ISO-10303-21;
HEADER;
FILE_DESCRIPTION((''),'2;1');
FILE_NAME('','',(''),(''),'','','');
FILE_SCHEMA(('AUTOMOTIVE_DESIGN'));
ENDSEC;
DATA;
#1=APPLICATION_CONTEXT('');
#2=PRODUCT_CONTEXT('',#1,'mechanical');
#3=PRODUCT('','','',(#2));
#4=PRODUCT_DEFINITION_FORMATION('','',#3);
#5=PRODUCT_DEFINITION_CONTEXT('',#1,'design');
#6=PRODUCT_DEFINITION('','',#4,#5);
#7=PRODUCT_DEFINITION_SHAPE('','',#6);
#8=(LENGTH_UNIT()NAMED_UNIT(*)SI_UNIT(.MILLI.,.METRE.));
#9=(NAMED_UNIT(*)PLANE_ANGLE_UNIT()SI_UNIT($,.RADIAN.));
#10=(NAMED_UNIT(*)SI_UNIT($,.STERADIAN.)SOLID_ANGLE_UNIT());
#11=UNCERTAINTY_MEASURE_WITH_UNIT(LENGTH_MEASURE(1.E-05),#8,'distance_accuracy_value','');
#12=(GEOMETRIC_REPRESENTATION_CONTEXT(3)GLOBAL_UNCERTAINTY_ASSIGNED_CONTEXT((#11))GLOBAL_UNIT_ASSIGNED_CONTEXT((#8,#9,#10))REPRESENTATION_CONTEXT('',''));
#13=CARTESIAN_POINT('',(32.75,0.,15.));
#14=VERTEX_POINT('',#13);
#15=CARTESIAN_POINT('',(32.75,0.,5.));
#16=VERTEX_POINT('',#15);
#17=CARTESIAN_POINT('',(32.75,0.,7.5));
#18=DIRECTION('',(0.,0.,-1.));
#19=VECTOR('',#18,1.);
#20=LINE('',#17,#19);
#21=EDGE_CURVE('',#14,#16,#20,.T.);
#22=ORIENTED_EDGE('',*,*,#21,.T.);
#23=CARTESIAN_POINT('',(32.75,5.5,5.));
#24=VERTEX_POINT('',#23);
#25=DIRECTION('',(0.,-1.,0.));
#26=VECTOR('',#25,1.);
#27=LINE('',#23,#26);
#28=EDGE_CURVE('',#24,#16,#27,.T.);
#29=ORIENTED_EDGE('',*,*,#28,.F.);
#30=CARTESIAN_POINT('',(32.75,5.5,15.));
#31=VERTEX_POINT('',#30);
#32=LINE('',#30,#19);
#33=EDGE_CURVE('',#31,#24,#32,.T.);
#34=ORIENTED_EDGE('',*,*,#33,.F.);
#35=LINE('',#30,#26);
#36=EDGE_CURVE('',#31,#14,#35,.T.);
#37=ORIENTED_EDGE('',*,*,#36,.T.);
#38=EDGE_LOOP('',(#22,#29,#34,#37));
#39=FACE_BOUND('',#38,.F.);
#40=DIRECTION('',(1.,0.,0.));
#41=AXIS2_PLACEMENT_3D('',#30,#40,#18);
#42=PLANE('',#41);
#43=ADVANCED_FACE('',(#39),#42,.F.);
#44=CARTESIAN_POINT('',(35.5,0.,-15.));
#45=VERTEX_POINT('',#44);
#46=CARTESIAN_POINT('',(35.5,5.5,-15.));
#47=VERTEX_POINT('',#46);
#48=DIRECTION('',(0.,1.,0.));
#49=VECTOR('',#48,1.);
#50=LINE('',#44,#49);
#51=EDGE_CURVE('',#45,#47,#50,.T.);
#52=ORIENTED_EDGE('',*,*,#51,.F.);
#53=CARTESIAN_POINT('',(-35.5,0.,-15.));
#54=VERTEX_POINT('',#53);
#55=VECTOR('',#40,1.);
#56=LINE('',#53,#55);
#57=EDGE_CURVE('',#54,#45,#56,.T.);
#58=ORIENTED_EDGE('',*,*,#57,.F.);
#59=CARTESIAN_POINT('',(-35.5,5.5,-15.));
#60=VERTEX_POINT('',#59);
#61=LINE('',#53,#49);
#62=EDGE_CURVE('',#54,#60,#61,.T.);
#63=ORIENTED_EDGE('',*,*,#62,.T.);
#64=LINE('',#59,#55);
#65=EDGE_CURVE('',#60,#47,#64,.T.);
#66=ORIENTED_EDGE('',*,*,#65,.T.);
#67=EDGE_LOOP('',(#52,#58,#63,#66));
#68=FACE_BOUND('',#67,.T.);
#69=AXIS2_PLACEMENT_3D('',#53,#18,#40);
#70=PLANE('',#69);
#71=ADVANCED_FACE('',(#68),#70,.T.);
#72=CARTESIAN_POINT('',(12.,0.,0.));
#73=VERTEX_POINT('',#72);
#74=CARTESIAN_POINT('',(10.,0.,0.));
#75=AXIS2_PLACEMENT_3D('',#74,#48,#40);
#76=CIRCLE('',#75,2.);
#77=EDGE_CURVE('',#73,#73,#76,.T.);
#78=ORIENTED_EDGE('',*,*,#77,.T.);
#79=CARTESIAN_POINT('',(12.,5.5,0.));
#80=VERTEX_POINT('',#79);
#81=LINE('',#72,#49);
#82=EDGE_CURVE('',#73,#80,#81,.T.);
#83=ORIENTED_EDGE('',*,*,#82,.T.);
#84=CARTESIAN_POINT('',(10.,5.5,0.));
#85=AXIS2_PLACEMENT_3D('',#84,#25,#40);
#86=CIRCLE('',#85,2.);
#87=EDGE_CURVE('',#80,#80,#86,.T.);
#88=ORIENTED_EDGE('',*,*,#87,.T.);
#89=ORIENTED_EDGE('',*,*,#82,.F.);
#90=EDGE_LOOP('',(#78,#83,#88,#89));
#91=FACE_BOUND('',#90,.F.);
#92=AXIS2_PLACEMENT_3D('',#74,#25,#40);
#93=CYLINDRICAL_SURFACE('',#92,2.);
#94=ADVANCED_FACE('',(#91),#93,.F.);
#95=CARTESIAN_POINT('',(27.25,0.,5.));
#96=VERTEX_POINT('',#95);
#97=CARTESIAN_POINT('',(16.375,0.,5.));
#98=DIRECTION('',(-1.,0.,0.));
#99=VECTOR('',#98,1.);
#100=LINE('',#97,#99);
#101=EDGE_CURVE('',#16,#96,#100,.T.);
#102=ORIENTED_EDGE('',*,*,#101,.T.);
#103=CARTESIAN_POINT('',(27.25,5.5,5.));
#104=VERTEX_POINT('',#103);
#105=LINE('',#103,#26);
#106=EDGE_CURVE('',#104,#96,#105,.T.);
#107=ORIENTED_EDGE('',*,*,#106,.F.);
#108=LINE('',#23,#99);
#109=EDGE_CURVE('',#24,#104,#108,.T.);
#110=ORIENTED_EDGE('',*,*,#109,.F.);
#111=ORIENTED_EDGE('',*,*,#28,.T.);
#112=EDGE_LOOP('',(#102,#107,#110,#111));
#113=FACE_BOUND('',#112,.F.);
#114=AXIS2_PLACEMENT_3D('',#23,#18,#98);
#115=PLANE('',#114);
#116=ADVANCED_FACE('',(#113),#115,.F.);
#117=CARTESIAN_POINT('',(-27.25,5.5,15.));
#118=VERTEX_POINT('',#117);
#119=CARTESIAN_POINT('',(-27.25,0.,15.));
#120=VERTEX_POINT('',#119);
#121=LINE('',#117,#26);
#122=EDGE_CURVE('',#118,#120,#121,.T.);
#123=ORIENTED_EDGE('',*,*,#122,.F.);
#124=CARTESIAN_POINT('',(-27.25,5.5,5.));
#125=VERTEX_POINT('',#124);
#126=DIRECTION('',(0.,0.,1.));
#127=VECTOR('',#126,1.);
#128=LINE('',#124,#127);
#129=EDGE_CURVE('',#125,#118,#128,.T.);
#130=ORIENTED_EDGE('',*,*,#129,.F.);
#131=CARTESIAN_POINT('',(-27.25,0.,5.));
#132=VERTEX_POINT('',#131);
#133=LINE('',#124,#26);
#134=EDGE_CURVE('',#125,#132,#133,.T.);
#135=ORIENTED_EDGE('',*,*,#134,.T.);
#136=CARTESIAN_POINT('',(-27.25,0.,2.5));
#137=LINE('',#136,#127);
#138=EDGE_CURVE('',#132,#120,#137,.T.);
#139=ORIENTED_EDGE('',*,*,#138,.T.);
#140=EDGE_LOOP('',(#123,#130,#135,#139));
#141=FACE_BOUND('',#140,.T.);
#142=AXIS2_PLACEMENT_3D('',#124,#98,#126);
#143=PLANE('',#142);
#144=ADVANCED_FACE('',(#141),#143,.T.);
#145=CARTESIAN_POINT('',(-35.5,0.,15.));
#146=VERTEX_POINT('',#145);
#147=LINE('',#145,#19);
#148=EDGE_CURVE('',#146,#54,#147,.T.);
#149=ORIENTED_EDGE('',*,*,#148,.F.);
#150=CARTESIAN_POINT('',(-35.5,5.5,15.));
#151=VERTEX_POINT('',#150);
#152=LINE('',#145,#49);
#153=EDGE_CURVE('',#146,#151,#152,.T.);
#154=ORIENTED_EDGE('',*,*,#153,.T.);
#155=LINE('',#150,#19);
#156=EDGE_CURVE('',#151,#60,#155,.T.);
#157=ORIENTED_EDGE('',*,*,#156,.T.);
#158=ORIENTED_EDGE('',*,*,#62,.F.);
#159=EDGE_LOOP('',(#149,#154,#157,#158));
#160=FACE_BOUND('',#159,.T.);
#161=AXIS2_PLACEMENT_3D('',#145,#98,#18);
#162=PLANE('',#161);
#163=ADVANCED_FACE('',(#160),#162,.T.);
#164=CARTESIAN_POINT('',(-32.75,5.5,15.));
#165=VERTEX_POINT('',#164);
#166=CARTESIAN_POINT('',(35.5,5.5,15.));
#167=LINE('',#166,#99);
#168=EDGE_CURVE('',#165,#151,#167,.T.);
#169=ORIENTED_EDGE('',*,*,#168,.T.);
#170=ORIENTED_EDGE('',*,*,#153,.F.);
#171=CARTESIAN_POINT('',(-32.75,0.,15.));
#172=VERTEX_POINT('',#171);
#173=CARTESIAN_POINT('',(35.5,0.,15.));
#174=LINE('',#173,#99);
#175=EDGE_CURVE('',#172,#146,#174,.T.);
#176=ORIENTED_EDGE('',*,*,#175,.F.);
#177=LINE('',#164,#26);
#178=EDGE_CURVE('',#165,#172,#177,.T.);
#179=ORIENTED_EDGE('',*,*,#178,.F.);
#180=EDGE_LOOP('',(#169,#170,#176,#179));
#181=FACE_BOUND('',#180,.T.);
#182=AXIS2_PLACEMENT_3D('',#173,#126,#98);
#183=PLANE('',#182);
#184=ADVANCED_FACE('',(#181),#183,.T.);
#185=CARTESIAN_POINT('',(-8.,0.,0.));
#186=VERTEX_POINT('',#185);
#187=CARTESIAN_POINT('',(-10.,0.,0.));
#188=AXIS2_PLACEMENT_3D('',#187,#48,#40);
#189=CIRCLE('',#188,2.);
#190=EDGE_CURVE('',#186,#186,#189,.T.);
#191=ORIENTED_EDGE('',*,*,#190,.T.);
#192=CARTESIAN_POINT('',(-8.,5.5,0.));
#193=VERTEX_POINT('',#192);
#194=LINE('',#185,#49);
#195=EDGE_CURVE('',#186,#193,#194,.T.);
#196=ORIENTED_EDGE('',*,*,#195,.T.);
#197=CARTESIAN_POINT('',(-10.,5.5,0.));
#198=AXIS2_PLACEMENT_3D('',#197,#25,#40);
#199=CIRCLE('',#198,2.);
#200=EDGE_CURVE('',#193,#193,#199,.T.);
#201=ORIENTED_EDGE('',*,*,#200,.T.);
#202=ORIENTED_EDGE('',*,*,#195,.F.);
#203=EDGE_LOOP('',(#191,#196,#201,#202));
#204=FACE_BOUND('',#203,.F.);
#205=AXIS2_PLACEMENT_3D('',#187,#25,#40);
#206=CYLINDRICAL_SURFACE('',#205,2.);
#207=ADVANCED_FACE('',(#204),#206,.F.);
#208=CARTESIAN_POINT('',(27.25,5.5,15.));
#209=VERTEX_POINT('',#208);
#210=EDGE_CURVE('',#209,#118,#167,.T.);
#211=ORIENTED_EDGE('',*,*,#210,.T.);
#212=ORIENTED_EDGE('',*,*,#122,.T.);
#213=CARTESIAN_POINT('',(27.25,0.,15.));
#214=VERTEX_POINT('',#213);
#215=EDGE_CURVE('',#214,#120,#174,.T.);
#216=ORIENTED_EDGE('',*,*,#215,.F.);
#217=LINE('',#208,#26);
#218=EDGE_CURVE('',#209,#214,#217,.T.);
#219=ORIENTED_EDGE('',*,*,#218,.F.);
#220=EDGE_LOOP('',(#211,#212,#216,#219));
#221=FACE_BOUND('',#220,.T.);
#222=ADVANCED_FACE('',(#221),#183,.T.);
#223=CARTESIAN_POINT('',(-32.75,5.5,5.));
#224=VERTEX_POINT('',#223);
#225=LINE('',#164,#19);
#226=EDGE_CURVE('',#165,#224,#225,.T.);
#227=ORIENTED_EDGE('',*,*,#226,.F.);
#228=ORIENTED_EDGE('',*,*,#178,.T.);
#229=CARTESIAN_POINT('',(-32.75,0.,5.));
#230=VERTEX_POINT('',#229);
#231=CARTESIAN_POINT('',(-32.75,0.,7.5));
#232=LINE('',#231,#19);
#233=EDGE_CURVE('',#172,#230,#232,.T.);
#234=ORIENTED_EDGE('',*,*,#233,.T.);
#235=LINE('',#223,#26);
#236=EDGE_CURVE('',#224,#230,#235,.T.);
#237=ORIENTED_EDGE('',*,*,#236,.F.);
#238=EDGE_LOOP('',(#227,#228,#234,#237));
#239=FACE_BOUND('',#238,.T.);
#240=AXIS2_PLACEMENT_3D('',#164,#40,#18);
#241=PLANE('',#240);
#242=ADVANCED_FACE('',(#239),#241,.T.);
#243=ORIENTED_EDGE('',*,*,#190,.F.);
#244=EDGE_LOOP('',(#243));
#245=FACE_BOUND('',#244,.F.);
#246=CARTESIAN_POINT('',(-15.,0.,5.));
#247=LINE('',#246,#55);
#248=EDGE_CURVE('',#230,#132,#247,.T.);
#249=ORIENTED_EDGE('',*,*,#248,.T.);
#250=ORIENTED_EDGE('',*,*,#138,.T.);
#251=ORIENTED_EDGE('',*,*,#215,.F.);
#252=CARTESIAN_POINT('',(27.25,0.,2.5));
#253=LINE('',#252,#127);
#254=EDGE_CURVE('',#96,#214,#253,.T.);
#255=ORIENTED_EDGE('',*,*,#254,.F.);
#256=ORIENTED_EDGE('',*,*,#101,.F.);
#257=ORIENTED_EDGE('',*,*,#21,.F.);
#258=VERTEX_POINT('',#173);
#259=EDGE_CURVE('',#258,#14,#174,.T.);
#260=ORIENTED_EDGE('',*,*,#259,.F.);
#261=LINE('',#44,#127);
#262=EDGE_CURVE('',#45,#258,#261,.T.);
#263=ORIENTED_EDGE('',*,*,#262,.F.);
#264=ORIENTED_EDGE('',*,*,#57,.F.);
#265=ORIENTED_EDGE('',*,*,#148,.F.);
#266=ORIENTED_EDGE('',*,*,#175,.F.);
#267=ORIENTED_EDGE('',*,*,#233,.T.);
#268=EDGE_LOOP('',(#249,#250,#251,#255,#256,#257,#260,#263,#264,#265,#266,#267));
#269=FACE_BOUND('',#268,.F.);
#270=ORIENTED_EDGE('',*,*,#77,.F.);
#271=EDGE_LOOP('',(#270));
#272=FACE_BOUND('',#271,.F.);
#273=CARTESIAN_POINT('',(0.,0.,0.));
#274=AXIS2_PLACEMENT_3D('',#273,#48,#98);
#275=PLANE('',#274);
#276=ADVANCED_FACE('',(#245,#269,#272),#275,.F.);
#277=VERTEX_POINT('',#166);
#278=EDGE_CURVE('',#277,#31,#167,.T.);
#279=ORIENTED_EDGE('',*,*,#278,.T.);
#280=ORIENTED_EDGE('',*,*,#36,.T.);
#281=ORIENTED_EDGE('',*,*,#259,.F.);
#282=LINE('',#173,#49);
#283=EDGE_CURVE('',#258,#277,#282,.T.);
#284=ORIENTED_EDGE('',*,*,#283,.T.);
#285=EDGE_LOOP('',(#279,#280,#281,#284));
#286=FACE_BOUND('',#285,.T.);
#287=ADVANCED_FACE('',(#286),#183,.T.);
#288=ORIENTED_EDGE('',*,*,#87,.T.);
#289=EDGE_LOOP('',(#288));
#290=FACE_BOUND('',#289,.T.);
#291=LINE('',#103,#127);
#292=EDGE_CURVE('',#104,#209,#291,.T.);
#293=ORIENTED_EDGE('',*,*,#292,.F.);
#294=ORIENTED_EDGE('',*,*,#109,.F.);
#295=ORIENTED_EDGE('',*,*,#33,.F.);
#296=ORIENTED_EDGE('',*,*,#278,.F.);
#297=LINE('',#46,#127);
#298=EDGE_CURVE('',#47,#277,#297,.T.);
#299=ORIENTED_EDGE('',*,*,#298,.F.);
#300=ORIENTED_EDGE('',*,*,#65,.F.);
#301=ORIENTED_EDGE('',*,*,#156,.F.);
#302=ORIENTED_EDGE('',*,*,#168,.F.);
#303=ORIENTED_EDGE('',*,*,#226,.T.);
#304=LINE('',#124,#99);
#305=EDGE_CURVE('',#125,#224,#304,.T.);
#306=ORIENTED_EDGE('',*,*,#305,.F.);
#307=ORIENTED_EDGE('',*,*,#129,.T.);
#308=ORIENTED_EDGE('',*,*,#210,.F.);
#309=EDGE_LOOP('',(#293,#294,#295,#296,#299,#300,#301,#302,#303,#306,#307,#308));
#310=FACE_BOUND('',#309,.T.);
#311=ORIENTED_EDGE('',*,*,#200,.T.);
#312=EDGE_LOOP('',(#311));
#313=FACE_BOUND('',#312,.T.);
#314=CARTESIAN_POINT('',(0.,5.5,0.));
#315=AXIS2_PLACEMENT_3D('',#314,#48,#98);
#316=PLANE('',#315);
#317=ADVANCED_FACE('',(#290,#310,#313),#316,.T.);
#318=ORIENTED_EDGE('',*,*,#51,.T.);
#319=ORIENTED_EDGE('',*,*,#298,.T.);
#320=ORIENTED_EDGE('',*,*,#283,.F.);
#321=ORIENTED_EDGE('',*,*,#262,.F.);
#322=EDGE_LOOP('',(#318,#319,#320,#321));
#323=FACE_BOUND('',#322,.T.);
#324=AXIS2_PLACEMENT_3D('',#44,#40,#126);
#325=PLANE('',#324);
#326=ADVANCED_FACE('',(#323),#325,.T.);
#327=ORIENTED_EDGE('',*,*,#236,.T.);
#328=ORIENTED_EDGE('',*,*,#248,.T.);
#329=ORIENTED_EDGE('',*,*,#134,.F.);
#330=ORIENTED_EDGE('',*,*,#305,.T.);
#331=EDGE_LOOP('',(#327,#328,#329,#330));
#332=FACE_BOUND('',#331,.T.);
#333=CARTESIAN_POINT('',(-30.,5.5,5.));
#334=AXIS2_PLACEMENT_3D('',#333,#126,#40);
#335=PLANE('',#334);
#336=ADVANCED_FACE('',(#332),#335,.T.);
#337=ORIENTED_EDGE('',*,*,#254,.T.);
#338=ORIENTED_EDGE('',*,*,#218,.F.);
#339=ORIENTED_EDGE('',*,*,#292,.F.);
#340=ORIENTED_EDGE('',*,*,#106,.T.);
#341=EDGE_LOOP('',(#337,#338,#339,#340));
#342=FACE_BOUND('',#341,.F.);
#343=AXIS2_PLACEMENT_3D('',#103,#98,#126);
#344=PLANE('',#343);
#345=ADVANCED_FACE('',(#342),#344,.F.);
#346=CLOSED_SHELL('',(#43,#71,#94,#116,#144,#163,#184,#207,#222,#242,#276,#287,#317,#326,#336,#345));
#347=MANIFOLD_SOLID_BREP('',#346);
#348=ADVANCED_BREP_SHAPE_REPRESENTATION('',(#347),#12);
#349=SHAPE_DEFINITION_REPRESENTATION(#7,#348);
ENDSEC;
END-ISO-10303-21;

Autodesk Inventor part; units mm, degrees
ref_plane "YZ Plane" through (0, 0, 0) normal (1, 0, 0) x (0, 1, 0)
ref_plane "XZ Plane" through (0, 0, 0) normal (0, 1, 0) x (-1, 0, 0)
ref_plane "XY Plane" through (0, 0, 0) normal (0, 0, 1) x (1, 0, 0)
sketch "Sketch1" plane through (0, 0, 0) normal (0, 1, 0) x (-1, 0, 0)
  line L0 (35.5, -15) -> (-35.5, -15)
  line L1 (-35.5, -15) -> (-35.5, 15)
  line L2 (-35.5, 15) -> (35.5, 15)
  line L3 (35.5, 15) -> (35.5, -15)
  line L4 (35.5, -15) -> (-35.5, 15) construction
  line L5 (-35.5, -15) -> (35.5, 15) construction
  point P0 (0, 0)
  dimension "d0" = 71
  dimension "d5" = 30
extrude "Extrusion1" add sketch "Sketch1" along normal blind 5.5
sketch "Sketch3" plane through (0, 5.5, 0) normal (0, 1, 0) x (1, 0, 0)
  line L0 (-35.5, -15) -> (35.5, -15) projected
  line L1 (0, 22.4425) -> (0, -29.6547) projected
  line L2 (-27.25, -15) -> (-32.75, -15)
  line L3 (-32.75, -15) -> (-32.75, -5)
  line L4 (-32.75, -5) -> (-27.25, -5)
  line L5 (-27.25, -5) -> (-27.25, -15)
  line L6 (-30, -0.7186) -> (-30, -17.2123)
  line L7 (27.25, -15) -> (32.75, -15)
  line L8 (32.75, -15) -> (32.75, -5)
  line L9 (32.75, -5) -> (27.25, -5)
  line L10 (27.25, -5) -> (27.25, -15)
  point P0 (0, 0)
  dimension "d6" = 5.5
  dimension "d7" = 10
  dimension "d8" = 30
extrude "Extrusion2" cut sketch "Sketch3" against normal through all
sketch "Sketch4" plane through (0, 5.5, 0) normal (0, 1, 0) x (1, 0, 0)
  line L0 (-27.25, -5) -> (-27.25, -15) projected
  line L1 (-27.25, -15) -> (27.25, -15) projected
  line L2 (27.25, -15) -> (27.25, -5) projected
  line L3 (27.25, -5) -> (32.75, -5) projected
  line L4 (32.75, -5) -> (32.75, -15) projected
  line L5 (32.75, -15) -> (35.5, -15) projected
  line L6 (35.5, -15) -> (35.5, 15) projected
  line L7 (35.5, 15) -> (-35.5, 15) projected
  line L8 (-35.5, 15) -> (-35.5, -15) projected
  line L9 (-35.5, -15) -> (-32.75, -15) projected
  line L10 (-32.75, -15) -> (-32.75, -5) projected
  line L11 (-32.75, -5) -> (-27.25, -5) projected
  point P0 (0, 0)
sketch "Sketch5" plane through (0, 0, 0) normal (0, -1, 0) x (1, 0, 0)
  line L0 (-49.7, 0) -> (49.7, 0) projected
  line L1 (0, -21) -> (0, 21) projected
  circle A0 centre (-10, 0) radius 2
  circle A1 centre (10, 0) radius 2
  point P0 (0, 0)
  dimension "d11" = 4
  dimension "d12" = 20
extrude "Extrusion3" cut sketch "Sketch5" against normal through all
equation "\"d1\" = Wt"
equation "\"d6\" = Wt"
equation "\"Wt\" = 5.5"
properties part number "ex_holder_stopper" material "Wood (Birch)"
